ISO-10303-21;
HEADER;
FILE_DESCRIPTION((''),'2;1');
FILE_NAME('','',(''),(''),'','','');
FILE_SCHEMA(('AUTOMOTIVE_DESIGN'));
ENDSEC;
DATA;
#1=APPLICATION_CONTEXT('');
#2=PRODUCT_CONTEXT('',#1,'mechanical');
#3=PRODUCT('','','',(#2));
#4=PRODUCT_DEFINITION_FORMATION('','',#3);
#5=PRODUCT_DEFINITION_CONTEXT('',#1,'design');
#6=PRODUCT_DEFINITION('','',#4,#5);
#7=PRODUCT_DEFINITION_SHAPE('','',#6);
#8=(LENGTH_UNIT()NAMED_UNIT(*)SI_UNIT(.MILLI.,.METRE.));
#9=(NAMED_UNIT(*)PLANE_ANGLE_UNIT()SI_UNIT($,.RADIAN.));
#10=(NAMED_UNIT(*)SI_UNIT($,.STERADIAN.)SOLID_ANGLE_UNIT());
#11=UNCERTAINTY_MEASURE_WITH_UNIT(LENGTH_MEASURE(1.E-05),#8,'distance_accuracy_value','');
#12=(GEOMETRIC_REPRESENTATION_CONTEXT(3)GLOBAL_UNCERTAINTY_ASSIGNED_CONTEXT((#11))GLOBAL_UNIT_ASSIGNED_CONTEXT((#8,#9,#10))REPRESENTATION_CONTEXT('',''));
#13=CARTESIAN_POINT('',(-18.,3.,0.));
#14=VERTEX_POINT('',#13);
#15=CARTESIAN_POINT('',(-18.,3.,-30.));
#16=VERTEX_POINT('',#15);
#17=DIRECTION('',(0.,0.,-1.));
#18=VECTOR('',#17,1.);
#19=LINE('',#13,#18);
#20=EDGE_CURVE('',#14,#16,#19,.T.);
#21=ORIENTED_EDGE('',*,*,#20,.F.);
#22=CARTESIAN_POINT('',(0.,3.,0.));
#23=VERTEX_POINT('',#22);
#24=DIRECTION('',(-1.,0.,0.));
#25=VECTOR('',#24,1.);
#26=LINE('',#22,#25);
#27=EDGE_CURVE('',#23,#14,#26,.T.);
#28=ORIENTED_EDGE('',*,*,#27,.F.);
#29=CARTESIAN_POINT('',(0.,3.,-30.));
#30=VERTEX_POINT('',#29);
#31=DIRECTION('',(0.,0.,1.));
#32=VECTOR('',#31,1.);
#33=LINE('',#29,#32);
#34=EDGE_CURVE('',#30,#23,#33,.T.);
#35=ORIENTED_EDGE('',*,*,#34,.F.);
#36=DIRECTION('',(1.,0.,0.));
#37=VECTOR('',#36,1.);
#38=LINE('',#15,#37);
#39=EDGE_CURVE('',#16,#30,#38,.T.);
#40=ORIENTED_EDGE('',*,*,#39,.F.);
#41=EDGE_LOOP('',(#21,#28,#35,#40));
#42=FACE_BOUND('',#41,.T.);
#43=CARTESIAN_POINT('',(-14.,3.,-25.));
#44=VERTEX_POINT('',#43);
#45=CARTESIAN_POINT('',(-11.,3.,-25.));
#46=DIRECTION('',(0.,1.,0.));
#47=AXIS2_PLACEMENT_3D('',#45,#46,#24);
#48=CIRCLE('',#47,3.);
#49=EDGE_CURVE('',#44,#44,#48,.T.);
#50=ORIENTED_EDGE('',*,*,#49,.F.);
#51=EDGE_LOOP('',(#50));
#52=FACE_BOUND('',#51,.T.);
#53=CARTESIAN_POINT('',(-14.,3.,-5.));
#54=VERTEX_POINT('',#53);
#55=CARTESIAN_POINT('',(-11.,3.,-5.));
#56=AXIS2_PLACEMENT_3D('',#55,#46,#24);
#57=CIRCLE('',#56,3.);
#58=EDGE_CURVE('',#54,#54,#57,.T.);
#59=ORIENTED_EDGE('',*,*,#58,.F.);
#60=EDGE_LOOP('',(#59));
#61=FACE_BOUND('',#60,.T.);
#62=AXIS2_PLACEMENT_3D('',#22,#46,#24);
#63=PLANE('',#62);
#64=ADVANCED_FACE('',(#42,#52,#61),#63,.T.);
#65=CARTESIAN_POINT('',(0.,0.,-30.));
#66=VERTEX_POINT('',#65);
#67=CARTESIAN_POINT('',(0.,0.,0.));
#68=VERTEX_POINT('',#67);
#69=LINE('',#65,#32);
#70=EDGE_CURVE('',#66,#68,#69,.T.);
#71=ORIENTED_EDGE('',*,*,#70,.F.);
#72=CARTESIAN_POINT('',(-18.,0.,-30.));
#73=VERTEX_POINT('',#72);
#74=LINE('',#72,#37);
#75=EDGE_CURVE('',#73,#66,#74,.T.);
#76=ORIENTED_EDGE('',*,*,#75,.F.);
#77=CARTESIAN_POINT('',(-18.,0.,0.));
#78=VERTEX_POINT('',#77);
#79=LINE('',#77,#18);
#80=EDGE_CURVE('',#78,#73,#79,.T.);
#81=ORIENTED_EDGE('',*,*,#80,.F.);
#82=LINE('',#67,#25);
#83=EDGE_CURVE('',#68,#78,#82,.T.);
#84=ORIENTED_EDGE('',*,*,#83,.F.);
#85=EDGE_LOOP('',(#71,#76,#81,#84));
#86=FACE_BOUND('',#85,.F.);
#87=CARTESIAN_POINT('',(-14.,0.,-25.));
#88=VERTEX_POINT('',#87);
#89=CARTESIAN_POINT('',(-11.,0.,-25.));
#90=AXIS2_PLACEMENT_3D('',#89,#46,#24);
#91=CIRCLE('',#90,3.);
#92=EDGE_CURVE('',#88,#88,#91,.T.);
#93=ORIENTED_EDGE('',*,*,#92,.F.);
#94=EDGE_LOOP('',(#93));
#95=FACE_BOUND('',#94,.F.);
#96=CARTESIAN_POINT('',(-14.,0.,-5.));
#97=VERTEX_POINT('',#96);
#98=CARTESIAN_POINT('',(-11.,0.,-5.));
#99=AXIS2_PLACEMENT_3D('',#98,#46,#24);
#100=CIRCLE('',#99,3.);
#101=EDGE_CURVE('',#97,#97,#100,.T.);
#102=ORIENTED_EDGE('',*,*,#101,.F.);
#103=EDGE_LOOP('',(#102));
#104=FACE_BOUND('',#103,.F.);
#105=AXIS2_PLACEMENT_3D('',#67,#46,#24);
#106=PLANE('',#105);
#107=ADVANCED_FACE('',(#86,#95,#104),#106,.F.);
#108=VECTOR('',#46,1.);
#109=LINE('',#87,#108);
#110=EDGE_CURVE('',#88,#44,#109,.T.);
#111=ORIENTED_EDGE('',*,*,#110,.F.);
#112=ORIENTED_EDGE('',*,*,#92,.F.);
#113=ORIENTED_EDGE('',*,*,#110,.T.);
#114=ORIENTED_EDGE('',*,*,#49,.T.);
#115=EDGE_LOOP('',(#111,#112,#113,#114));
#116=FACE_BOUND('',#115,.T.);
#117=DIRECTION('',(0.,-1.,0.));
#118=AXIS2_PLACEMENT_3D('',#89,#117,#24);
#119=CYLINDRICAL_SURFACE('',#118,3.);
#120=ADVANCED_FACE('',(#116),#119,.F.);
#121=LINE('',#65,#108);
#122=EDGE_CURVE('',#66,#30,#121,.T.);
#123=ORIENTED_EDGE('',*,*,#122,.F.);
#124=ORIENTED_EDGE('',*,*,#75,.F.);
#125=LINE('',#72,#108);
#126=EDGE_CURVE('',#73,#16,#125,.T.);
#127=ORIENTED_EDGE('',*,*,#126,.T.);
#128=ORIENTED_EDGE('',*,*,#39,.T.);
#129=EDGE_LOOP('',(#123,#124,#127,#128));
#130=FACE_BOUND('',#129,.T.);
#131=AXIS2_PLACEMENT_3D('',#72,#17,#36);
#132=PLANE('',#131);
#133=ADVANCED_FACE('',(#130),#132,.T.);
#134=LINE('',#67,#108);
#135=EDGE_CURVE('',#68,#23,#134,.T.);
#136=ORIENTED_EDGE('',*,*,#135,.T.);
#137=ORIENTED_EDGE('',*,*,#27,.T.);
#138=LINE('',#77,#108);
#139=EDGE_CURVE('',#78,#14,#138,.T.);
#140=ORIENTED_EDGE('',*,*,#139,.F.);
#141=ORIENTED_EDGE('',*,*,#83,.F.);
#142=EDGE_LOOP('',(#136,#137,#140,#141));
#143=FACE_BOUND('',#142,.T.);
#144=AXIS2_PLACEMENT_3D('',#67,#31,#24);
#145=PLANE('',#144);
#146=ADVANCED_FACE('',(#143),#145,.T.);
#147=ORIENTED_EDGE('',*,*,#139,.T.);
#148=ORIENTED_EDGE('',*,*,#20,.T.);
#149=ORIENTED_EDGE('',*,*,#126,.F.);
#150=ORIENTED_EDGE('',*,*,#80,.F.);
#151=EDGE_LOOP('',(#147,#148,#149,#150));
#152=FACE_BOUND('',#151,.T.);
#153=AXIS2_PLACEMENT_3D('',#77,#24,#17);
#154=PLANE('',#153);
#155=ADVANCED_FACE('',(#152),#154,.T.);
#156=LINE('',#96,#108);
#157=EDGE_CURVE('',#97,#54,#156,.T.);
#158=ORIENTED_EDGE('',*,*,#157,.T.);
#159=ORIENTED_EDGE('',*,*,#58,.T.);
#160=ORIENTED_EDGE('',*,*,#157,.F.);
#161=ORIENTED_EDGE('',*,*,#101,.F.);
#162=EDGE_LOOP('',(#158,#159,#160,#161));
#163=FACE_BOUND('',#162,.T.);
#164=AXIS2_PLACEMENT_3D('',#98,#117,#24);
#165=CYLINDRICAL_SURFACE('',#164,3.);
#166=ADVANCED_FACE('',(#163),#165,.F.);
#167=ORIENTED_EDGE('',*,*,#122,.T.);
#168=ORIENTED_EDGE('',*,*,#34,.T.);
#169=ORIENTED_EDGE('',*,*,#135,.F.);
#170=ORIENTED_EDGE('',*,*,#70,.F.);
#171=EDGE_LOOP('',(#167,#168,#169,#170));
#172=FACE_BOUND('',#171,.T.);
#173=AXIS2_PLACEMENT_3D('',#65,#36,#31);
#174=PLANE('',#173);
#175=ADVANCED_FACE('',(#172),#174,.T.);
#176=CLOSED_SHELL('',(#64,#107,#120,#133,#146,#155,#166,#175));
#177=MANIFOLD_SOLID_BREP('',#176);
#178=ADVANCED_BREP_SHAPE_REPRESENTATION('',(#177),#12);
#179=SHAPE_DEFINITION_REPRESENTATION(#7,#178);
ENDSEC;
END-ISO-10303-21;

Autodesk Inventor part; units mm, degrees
ref_plane "YZ Plane" through (0, 0, 0) normal (1, 0, 0) x (0, 1, 0)
ref_plane "XZ Plane" through (0, 0, 0) normal (0, 1, 0) x (-1, 0, 0)
ref_plane "XY Plane" through (0, 0, 0) normal (0, 0, 1) x (1, 0, 0)
sketch "Náčrt1" plane through (0, 0, 0) normal (0, 1, 0) x (-1, 0, 0)
  line L0 (0, 0) -> (18, 0)
  line L1 (18, 0) -> (18, -30)
  line L2 (18, -30) -> (0, -30)
  line L3 (0, -30) -> (0, 0)
  circle A0 centre (11, -5) radius 3
  circle A1 centre (11, -25) radius 3
  dimension "d0" = 18
  dimension "d1" = 30
  dimension "d2" = 6
  dimension "d3" = 6
  dimension "d4" = 11
  dimension "d5" = 11
  dimension "d6" = 5
  dimension "d7" = 5
extrude "Vysunutí1" add sketch "Náčrt1" along normal blind 3
equation "\"d5\" = d4"
equation "\"d7\" = d6"
properties part number "prilozka"
